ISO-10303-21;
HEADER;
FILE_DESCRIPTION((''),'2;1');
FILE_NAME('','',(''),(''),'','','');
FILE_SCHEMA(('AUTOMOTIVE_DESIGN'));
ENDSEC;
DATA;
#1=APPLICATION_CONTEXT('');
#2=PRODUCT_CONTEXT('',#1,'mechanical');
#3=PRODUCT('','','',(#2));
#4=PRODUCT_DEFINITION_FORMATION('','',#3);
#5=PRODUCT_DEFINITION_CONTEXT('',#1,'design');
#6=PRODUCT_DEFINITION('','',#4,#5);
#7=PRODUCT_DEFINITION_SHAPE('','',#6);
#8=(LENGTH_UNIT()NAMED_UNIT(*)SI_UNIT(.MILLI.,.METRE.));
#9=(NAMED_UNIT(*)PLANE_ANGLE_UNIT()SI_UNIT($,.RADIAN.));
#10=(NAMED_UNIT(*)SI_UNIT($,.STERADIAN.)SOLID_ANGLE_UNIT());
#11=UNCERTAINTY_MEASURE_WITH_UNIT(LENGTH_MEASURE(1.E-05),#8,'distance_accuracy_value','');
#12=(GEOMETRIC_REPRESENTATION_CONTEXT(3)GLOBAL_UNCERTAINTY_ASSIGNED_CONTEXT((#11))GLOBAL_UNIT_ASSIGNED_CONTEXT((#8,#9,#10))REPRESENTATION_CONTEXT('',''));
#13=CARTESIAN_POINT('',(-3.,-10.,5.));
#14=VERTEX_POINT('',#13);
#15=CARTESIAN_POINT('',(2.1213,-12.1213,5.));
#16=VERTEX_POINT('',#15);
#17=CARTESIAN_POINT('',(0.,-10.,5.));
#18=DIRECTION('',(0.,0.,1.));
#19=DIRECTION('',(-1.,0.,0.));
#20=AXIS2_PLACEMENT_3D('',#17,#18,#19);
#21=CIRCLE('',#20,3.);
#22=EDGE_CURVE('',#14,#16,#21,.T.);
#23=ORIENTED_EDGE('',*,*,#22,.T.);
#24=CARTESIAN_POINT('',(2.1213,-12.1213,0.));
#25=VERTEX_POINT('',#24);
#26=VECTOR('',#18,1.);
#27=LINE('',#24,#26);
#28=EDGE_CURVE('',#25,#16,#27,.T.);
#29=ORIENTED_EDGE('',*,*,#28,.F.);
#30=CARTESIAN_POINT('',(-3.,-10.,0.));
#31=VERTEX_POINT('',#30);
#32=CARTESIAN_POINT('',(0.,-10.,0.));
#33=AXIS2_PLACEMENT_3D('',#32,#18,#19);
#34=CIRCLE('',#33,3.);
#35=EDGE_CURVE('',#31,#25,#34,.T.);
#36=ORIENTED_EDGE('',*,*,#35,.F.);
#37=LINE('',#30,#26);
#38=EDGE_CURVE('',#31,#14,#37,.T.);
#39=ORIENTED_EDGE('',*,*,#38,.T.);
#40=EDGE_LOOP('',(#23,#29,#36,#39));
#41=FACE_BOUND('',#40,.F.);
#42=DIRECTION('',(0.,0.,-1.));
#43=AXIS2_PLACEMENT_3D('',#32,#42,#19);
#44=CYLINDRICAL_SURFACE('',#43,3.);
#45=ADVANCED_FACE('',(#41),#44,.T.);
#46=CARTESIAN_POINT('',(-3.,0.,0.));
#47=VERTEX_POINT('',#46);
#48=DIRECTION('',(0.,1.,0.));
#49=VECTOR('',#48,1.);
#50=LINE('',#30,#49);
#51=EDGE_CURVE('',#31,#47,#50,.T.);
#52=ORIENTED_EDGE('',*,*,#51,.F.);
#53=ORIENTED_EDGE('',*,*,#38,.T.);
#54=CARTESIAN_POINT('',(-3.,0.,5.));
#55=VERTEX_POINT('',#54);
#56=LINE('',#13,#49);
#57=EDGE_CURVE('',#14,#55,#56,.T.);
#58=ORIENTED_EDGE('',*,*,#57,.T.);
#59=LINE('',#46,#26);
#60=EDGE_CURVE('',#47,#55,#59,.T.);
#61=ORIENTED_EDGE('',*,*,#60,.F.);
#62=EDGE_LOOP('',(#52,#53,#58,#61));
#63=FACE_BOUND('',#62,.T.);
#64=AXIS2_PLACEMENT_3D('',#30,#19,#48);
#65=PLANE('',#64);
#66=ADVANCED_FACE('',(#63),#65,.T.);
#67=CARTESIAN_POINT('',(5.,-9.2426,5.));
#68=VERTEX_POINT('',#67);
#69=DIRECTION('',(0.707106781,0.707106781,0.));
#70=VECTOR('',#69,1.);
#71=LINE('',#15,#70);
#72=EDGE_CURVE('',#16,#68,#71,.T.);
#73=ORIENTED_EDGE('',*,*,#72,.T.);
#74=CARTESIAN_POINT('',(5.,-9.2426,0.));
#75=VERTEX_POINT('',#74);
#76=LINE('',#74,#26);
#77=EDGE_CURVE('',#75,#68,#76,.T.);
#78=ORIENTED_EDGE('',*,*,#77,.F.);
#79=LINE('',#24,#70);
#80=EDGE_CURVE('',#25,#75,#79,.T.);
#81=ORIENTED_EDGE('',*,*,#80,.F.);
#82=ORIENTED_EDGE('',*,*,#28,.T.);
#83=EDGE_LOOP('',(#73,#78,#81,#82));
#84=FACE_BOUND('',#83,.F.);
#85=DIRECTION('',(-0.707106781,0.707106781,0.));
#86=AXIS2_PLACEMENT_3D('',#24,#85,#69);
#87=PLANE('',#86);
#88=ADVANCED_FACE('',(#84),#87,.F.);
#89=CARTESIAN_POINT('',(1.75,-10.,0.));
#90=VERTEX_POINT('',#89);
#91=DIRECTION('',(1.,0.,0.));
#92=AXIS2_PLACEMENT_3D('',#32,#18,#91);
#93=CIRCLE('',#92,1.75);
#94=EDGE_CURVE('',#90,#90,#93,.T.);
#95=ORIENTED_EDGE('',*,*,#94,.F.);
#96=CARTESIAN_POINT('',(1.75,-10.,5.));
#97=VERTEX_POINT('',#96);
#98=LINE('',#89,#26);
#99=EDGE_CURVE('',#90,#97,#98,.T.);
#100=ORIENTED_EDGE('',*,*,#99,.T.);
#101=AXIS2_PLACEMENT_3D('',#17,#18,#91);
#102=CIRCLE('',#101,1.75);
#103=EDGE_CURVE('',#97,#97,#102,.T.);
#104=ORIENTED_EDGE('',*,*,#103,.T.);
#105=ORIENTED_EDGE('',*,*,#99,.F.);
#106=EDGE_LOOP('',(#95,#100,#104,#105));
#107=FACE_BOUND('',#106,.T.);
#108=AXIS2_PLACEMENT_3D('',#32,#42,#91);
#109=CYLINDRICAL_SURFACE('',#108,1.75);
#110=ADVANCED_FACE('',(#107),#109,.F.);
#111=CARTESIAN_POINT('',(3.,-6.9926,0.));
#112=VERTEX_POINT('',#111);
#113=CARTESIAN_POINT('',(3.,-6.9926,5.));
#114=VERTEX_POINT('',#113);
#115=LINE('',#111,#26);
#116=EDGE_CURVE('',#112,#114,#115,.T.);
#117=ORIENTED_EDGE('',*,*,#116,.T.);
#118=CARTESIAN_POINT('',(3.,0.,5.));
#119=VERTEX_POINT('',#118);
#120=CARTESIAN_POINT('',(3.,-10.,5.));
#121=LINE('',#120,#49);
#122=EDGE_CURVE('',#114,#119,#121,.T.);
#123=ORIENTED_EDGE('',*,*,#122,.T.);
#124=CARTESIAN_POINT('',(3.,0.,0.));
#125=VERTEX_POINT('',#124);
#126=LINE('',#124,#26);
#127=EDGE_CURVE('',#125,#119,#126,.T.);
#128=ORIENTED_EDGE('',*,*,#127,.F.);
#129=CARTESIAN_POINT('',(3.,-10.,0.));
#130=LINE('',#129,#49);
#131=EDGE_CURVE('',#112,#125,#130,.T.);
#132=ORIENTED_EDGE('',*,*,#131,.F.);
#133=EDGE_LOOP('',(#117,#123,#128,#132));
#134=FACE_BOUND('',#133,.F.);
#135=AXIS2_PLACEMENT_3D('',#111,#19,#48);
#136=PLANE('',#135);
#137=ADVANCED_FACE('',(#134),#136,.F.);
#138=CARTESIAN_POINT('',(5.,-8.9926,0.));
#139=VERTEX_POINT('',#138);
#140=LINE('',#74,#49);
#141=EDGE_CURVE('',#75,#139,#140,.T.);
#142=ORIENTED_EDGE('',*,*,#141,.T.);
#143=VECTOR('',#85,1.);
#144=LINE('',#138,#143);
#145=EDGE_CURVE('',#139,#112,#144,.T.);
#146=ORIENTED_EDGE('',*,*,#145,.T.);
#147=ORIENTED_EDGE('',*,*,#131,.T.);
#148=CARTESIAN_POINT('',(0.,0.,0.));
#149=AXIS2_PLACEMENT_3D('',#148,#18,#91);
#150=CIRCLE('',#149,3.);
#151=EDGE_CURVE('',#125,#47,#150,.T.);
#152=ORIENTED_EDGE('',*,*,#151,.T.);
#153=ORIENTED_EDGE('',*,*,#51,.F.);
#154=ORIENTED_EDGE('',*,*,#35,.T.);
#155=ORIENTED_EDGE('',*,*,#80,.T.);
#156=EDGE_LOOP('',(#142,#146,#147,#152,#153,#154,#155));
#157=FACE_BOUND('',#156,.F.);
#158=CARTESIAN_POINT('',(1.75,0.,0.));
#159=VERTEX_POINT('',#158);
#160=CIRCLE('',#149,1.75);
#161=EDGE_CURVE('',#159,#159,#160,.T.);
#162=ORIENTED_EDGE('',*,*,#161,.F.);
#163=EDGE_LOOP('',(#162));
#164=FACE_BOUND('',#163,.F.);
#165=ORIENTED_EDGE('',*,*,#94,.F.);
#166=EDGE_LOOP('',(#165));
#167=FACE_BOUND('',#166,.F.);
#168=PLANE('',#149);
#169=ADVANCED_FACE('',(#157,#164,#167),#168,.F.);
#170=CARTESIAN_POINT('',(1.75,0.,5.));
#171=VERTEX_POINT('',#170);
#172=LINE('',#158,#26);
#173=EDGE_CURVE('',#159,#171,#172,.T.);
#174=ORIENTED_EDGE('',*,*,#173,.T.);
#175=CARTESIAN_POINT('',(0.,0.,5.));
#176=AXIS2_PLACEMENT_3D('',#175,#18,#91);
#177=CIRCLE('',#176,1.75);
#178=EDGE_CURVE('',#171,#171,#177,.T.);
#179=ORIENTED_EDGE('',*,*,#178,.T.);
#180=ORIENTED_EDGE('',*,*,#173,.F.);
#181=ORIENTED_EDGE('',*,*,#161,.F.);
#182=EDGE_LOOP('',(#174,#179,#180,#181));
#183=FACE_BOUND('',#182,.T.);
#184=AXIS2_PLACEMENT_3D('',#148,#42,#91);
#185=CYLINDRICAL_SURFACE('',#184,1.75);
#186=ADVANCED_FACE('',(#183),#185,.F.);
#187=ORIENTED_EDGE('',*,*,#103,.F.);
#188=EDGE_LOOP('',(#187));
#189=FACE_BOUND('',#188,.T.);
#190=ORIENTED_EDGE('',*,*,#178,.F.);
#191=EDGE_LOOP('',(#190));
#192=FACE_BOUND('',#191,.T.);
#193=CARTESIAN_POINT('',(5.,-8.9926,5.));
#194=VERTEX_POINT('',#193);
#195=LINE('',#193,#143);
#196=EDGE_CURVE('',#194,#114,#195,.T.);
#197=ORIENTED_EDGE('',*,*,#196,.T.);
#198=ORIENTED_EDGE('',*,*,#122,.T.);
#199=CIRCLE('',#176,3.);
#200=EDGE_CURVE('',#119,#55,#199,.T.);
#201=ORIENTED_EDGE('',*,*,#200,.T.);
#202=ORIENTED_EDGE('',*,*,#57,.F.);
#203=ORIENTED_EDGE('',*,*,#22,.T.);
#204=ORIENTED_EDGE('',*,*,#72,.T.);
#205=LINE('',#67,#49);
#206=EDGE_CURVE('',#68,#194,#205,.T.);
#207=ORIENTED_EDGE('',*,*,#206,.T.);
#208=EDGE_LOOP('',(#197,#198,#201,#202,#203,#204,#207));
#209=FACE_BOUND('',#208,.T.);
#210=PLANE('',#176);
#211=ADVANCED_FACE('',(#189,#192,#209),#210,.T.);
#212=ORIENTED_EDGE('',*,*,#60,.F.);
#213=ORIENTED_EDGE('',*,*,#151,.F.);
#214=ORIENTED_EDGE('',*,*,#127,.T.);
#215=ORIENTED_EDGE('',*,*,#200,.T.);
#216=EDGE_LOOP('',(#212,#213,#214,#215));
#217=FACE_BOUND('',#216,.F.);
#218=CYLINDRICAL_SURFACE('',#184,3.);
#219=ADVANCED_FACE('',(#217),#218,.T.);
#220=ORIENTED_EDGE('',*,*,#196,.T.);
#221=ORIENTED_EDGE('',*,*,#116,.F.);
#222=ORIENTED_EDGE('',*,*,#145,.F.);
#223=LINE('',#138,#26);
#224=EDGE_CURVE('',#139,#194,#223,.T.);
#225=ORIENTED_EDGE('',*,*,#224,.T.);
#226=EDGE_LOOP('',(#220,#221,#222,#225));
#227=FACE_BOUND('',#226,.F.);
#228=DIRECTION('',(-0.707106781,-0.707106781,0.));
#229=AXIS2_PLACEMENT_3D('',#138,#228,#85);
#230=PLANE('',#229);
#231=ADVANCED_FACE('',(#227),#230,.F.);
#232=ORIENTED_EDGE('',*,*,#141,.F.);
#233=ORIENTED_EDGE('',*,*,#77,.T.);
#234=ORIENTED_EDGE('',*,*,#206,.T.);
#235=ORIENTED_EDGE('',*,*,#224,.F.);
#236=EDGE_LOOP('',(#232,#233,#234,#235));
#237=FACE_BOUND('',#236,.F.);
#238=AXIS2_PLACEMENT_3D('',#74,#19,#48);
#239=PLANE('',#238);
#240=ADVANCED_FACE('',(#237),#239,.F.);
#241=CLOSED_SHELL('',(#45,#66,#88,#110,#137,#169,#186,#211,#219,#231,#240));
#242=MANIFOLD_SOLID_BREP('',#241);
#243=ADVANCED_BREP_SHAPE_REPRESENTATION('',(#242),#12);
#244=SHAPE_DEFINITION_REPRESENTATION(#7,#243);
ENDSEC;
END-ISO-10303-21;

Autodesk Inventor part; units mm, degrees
ref_plane "YZ Plane" through (0, 0, 0) normal (1, 0, 0) x (0, 1, 0)
ref_plane "XZ Plane" through (0, 0, 0) normal (0, 1, 0) x (-1, 0, 0)
ref_plane "XY Plane" through (0, 0, 0) normal (0, 0, 1) x (1, 0, 0)
sketch "Sketch1" plane through (0, 0, 0) normal (0, 0, 1) x (1, 0, 0)
  circle A0 centre (0, 0) radius 1.75
  circle A1 centre (0, -10) radius 1.75
  arc A2 (-3, -10) -> (3, -10) centre (0, -10) ccw
  arc A3 (3, 0) -> (-3, 0) centre (0, 0) ccw
  line L0 (-3, -10) -> (-3, 0)
  line L1 (3, -10) -> (3, 0)
  line L2 (2.1213, -12.1213) -> (5, -9.2426)
  line L3 (2.1213, -12.1213) -> (4.3055, -12.1213) construction
  line L4 (5, -9.2426) -> (5, -8.9926)
  line L5 (5, -8.9926) -> (3, -6.9926)
  point P0 (3, -7.757)
  dimension "d0" = 3.5
  dimension "d1" = 3.5
  dimension "d2" = 6
  dimension "d3" = 6
  dimension "d6" = 45
  dimension "d10" = 5
  dimension "d11" = 0.25
  dimension "d12" = 135
extrude "Extrusion1" add sketch "Sketch1" along normal blind 5
properties part number "mellemStykke"
